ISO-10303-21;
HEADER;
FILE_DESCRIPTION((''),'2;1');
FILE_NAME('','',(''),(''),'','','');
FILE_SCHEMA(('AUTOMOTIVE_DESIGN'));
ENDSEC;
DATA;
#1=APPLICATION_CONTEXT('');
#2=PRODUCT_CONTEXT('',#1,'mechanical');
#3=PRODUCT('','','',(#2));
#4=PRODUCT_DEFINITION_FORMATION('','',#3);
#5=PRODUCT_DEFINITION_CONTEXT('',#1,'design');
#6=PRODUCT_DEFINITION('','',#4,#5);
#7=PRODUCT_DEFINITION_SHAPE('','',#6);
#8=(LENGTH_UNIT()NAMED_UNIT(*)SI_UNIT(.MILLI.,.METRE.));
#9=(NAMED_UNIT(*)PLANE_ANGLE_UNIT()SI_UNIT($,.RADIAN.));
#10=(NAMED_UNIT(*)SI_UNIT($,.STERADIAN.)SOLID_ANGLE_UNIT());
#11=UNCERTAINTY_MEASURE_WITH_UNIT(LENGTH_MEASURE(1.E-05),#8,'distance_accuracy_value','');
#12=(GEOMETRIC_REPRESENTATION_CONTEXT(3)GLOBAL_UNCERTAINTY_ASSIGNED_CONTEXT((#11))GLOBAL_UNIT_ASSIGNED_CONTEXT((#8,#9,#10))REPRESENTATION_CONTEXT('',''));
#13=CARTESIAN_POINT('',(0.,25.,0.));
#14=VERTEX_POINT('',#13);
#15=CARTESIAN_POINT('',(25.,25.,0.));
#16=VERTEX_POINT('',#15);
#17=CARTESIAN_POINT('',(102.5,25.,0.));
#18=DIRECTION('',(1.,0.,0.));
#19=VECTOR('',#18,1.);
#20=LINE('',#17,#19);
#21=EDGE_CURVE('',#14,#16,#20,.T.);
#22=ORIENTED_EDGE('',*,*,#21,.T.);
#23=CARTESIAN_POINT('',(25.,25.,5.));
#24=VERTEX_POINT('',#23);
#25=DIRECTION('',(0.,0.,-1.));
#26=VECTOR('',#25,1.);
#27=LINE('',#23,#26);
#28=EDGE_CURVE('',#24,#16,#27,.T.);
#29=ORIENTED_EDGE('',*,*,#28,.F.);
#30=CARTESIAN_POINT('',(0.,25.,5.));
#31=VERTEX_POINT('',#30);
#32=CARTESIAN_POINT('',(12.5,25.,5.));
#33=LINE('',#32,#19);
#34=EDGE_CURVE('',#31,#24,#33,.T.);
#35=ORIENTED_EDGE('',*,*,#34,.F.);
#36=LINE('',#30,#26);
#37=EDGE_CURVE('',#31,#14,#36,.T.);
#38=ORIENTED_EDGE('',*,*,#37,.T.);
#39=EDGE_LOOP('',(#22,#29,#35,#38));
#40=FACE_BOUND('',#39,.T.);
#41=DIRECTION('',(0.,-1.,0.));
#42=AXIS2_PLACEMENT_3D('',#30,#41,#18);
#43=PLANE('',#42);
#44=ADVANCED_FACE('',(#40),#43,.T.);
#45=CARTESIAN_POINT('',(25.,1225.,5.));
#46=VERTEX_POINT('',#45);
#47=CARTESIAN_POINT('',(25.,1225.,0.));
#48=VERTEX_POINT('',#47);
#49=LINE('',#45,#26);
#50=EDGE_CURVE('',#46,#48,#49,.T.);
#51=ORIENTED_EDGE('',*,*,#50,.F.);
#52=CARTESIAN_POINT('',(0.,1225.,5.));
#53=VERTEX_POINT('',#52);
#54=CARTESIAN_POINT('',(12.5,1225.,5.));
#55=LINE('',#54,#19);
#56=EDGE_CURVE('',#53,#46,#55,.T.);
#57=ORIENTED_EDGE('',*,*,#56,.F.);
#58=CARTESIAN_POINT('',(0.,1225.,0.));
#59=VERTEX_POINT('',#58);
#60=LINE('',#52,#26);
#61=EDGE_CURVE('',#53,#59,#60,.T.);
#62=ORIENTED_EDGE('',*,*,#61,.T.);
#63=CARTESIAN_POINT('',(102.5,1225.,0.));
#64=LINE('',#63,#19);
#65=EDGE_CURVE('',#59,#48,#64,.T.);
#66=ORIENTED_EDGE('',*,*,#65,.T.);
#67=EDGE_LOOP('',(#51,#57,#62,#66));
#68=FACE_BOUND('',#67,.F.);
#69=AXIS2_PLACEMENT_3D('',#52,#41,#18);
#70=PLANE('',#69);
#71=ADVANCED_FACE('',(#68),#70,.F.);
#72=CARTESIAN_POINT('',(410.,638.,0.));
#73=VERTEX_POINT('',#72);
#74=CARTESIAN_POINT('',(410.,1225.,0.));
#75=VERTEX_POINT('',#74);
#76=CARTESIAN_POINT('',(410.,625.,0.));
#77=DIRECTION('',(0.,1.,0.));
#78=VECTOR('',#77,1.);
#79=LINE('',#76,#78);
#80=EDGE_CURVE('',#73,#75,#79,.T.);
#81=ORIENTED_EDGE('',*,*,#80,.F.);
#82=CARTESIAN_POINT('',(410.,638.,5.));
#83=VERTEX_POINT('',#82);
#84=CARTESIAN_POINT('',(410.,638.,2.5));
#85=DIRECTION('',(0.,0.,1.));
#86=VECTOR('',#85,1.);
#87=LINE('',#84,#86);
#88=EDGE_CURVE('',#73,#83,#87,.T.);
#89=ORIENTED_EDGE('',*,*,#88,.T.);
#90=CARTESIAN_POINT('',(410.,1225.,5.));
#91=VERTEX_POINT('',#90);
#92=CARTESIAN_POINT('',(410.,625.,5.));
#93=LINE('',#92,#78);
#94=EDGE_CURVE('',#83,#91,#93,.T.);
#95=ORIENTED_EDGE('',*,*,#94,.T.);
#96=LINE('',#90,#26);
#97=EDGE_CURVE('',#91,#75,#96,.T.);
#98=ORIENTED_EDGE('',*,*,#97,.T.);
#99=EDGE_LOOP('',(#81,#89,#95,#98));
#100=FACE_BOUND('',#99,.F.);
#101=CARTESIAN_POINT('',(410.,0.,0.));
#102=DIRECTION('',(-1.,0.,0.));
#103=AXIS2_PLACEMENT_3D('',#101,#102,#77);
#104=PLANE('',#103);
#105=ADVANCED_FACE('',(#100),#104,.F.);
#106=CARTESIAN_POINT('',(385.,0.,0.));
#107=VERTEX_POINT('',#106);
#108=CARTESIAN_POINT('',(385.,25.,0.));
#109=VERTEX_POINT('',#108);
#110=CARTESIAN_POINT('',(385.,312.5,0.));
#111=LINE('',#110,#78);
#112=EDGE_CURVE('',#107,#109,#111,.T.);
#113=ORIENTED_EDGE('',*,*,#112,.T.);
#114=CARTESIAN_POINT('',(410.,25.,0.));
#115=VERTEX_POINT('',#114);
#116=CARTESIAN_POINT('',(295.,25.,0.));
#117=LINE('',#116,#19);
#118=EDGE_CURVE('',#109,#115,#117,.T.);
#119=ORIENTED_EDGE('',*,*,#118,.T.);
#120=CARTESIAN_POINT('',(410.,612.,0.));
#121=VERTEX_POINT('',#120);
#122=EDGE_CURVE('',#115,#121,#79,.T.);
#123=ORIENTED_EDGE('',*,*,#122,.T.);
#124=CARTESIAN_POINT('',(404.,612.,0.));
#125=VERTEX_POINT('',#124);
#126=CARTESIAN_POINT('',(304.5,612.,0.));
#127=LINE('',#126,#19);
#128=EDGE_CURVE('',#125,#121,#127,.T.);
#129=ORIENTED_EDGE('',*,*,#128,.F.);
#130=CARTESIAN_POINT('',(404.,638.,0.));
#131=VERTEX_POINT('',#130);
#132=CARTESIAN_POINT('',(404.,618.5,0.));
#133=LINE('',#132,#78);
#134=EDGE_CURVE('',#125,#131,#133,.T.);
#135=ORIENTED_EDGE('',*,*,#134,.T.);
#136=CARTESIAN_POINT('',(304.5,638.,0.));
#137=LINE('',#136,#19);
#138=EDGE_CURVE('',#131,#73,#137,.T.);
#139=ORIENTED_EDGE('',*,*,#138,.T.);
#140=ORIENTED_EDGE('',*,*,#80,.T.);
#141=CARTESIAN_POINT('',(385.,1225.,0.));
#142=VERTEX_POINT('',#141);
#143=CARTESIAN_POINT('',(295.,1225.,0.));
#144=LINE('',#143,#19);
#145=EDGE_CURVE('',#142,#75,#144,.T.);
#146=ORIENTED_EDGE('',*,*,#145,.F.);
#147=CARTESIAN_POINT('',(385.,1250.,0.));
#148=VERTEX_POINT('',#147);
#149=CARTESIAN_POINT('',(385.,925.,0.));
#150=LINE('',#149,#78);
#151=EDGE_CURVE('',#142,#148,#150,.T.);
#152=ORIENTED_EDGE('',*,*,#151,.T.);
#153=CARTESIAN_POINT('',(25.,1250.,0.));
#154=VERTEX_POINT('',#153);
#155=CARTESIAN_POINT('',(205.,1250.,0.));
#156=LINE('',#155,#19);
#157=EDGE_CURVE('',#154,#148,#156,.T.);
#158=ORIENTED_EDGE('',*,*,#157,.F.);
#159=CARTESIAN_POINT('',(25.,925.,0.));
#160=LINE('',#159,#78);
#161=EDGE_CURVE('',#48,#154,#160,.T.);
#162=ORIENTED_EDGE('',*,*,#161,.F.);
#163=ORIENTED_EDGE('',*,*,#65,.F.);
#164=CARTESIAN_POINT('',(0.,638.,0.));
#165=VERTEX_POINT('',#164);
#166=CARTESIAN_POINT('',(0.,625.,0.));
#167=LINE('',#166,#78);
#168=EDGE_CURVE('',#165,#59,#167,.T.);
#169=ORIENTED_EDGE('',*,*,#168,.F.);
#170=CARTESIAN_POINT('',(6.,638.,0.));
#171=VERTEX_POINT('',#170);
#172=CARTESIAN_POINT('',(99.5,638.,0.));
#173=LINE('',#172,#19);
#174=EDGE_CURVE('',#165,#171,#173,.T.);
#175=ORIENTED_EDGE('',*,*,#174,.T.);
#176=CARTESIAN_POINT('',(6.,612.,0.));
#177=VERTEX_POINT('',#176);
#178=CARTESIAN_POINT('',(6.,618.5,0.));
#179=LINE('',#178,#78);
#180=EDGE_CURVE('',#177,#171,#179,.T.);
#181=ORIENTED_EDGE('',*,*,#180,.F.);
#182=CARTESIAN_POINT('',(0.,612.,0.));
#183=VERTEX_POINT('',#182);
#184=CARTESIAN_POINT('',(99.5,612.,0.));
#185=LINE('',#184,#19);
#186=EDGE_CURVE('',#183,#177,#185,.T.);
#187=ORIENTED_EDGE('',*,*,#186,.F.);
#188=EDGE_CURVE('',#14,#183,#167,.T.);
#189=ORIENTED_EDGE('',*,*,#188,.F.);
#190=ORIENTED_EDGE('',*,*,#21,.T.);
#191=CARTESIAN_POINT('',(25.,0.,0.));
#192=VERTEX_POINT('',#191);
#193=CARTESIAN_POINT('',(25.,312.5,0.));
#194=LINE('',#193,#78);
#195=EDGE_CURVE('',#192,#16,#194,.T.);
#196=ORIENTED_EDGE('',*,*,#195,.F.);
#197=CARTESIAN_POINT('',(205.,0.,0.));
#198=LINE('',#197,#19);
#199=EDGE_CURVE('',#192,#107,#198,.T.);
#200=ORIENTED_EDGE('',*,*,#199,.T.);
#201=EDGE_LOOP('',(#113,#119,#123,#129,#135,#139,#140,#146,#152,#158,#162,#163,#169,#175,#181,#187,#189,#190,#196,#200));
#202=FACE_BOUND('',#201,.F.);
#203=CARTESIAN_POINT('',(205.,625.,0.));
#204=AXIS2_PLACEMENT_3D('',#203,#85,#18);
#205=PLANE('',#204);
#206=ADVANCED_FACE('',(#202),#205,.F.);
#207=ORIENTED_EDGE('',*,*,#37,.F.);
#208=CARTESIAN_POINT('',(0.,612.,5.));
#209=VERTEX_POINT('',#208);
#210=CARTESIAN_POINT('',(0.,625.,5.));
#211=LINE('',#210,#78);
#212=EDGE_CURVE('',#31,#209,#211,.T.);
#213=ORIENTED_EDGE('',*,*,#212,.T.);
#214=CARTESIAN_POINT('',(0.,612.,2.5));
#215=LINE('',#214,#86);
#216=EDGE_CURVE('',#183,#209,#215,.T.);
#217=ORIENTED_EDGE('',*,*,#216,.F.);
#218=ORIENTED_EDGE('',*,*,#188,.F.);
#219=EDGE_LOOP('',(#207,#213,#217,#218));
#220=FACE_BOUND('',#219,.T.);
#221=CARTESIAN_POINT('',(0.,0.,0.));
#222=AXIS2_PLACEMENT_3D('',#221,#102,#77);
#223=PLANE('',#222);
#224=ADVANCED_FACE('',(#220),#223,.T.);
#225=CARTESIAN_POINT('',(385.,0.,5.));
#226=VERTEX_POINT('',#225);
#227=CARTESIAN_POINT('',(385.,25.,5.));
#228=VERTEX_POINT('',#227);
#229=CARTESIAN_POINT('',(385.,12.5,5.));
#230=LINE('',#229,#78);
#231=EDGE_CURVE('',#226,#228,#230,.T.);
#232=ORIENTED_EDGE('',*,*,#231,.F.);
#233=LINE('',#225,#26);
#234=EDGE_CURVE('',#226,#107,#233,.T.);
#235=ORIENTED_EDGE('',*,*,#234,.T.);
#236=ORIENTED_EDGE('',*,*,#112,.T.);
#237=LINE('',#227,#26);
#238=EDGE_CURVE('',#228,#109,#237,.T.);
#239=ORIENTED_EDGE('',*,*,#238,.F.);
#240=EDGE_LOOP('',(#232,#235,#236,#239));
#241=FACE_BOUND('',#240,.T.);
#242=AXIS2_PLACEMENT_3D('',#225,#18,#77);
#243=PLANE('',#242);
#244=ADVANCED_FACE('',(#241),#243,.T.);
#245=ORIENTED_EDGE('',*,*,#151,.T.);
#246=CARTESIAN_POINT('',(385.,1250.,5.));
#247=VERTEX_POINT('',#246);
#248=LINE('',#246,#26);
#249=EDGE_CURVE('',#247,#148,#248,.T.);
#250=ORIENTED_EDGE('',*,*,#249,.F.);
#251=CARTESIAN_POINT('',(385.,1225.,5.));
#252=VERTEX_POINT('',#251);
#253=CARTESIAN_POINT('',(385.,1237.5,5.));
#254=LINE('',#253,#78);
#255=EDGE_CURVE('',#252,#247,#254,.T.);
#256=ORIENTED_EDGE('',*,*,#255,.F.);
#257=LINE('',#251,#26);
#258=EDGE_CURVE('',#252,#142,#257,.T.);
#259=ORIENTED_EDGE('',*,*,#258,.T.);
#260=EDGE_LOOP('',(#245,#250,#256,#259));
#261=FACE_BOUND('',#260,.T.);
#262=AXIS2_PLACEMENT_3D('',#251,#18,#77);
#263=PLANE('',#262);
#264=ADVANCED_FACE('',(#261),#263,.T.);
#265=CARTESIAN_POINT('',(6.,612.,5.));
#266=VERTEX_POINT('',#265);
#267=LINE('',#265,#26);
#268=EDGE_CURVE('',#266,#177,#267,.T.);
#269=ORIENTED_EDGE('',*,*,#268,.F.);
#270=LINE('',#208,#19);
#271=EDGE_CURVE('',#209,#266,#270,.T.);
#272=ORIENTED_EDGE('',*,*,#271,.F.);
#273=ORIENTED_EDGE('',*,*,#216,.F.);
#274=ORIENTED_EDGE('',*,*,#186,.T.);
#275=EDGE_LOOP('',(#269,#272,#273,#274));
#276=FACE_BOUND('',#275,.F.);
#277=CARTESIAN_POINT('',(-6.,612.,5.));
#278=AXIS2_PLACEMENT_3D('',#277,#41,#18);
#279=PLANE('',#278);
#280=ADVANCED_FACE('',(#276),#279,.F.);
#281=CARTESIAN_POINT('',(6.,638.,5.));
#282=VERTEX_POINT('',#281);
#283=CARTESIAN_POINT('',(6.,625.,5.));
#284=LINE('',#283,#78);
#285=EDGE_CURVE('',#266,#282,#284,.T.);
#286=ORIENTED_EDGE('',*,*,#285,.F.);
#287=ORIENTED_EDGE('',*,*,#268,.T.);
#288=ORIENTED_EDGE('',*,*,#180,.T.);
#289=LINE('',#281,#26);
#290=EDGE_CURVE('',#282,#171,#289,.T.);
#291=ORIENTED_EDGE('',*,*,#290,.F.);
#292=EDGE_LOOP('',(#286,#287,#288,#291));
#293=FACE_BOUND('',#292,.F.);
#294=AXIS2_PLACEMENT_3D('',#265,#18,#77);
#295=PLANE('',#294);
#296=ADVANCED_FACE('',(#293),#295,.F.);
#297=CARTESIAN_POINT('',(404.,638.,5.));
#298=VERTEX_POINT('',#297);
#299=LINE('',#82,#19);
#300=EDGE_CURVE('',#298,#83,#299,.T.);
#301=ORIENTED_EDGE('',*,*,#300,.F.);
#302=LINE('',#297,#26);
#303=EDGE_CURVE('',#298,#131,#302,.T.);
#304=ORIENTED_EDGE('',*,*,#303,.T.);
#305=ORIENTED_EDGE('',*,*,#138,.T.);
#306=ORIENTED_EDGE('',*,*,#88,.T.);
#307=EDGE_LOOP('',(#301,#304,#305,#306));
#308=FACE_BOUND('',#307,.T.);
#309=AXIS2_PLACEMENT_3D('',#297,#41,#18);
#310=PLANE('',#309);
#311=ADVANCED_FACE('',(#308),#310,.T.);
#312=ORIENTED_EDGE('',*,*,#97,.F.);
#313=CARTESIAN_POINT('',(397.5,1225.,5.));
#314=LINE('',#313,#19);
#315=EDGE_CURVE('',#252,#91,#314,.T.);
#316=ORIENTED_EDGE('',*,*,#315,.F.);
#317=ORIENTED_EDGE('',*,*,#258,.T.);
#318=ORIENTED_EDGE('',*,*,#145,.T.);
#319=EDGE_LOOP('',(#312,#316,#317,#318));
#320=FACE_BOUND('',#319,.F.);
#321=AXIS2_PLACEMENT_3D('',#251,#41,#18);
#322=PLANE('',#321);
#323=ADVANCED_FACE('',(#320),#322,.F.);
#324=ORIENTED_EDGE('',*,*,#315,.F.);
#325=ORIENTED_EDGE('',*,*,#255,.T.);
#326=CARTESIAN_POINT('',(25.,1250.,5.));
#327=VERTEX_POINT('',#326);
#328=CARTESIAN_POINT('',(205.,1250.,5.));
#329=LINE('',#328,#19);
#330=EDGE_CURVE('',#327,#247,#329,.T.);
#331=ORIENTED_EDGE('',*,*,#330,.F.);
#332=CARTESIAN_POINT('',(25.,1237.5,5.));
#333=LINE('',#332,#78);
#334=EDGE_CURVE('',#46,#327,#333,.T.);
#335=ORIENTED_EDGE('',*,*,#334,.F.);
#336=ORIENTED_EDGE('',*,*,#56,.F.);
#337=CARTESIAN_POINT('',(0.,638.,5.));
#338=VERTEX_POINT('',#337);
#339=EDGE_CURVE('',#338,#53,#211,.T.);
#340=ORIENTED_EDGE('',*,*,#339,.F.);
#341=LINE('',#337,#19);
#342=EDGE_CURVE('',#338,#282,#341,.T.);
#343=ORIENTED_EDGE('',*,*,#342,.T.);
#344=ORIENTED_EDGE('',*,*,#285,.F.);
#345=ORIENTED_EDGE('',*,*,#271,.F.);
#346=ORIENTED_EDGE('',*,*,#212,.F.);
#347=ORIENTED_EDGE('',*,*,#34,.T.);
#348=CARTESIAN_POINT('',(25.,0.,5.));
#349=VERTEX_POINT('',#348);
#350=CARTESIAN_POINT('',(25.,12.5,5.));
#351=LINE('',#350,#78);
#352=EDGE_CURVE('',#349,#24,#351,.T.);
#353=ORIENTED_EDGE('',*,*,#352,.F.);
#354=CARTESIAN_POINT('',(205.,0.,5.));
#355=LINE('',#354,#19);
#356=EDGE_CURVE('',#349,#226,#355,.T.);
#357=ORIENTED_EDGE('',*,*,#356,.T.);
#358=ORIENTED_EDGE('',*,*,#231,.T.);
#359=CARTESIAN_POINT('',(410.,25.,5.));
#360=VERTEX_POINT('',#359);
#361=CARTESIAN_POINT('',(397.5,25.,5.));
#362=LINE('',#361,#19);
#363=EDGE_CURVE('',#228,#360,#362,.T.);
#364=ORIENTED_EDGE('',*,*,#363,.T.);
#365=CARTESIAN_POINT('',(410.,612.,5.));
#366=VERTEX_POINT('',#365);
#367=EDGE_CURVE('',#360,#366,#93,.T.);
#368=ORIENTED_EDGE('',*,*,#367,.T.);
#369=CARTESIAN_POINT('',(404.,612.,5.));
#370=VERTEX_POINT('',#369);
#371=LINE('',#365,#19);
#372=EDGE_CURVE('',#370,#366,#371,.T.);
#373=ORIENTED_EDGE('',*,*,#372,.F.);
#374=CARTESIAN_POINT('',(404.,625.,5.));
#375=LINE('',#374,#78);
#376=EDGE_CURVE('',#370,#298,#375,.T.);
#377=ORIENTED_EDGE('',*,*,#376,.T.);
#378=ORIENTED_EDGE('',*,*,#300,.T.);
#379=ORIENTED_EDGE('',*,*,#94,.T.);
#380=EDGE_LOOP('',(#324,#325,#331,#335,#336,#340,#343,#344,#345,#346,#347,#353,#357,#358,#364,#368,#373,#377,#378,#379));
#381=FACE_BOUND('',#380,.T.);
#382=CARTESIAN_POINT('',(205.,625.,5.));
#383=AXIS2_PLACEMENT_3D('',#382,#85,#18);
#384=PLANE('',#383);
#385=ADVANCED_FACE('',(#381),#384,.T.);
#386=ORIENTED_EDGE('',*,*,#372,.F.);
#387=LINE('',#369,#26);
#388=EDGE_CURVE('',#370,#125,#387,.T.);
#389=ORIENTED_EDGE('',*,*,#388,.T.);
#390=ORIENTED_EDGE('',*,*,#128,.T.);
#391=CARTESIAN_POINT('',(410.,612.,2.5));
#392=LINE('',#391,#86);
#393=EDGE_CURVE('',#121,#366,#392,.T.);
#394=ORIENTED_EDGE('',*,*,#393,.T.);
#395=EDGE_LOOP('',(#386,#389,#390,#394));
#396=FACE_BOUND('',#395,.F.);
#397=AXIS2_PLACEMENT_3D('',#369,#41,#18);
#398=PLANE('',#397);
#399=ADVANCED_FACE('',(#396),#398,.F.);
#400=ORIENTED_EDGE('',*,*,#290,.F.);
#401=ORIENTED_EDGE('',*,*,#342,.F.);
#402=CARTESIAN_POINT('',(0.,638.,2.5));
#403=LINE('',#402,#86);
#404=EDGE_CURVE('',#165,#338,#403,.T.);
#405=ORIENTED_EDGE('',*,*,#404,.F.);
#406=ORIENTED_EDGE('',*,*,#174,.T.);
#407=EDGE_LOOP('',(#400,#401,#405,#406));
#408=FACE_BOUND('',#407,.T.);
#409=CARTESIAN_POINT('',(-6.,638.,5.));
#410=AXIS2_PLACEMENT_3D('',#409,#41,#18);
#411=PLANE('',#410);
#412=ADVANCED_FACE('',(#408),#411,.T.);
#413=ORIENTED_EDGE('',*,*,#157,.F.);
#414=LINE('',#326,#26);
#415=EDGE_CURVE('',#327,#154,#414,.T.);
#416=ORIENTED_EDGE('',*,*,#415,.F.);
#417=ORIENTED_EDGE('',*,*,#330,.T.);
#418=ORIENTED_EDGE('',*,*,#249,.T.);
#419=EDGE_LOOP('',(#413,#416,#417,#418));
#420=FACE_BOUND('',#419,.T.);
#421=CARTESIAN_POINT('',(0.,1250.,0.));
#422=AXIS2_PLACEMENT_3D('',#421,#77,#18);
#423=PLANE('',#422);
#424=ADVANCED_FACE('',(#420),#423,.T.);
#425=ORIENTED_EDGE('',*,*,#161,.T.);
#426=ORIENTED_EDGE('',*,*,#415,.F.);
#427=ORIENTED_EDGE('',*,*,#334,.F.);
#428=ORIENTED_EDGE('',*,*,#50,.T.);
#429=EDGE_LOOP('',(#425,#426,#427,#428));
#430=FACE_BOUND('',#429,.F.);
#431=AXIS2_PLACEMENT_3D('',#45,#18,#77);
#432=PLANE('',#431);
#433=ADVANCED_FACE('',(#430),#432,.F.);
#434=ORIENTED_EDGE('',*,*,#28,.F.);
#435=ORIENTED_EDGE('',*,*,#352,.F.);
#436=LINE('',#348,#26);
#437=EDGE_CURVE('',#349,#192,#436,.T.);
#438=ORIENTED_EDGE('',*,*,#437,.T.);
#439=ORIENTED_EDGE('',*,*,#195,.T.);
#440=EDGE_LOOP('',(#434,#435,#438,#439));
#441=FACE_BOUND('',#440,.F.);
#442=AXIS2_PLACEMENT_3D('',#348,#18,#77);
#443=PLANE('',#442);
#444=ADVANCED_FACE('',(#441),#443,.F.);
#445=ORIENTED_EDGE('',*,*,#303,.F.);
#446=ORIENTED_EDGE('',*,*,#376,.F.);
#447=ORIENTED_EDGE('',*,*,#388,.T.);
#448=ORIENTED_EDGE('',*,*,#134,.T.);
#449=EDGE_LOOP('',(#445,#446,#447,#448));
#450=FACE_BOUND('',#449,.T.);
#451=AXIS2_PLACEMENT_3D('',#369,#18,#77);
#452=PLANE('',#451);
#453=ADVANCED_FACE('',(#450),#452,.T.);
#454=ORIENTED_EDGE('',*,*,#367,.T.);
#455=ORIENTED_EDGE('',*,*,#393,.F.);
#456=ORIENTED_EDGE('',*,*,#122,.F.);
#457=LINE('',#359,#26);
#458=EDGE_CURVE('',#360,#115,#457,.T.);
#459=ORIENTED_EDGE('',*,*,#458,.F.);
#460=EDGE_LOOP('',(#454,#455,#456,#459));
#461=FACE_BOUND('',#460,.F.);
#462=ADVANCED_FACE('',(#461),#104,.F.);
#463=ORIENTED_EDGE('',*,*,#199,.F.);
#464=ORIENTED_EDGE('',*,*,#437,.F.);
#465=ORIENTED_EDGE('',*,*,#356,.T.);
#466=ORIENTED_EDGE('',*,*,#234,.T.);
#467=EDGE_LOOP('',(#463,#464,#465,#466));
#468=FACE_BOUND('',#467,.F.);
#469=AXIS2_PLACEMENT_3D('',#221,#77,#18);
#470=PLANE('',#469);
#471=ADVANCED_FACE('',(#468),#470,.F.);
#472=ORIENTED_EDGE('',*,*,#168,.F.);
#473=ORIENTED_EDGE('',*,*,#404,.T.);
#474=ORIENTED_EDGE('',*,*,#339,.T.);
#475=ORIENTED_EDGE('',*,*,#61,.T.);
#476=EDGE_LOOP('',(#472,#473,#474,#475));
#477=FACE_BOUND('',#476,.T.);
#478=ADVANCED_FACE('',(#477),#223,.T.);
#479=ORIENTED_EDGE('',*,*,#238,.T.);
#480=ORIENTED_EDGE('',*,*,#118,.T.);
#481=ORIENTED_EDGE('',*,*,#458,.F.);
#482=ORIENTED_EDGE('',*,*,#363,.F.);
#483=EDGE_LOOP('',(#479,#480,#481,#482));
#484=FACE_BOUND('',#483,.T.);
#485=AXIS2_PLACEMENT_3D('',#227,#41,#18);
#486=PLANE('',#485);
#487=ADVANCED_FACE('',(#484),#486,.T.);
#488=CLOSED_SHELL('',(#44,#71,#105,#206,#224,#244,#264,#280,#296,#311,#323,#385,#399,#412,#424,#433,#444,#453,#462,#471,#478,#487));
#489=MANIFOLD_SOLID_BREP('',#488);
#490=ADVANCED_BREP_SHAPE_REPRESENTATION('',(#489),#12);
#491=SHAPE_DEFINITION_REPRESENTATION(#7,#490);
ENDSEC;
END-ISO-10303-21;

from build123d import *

# Parameters (mm, degrees)
F0_W      = 410
F0_H      = 1250
F1_DEPTH  = 5
F2_W      = 25
F2_H      = 25
F3_DEPTH  = 25
F4_W      = 25
F4_H      = 25
F5_DEPTH  = 25
F6_W      = 25
F6_H      = 25
F7_DEPTH  = 25
F8_W      = 25
F8_H      = 25
F9_DEPTH  = 25
F10_W     = 12
F10_H     = 26
F11_DEPTH = 25
F12_W     = 12
F12_H     = 26
F13_DEPTH = 25


with BuildPart() as f1:
    # F0 (on Top) → F1 (new body)
    with BuildSketch(Plane.XY):
        with Locations((205, 625)):
            Rectangle(F0_W, F0_H)
    extrude(amount=F1_DEPTH)

    # F2 (on face) → F3 (cut)
    with BuildSketch(Plane.XY.offset(5)):
        with Locations((12.5, 12.5)):
            Rectangle(F2_W, F2_H)
    extrude(amount=-F3_DEPTH, mode=Mode.SUBTRACT)

    # F4 (on face) → F5 (cut)
    with BuildSketch(Plane.XY.offset(5)):
        with Locations((397.5, 12.5)):
            Rectangle(F4_W, F4_H)
    extrude(amount=-F5_DEPTH, mode=Mode.SUBTRACT)

    # F6 (on face) → F7 (cut)
    with BuildSketch(Plane.XY.offset(5)):
        with Locations((397.5, 1237.5)):
            Rectangle(F6_W, F6_H)
    extrude(amount=-F7_DEPTH, mode=Mode.SUBTRACT)

    # F8 (on face) → F9 (cut)
    with BuildSketch(Plane.XY.offset(5)):
        with Locations((12.5, 1237.5)):
            Rectangle(F8_W, F8_H)
    extrude(amount=-F9_DEPTH, mode=Mode.SUBTRACT)

    # F10 (on face) → F11 (cut)
    with BuildSketch(Plane.XY.offset(5)):
        with Locations((0, 625)):
            Rectangle(F10_W, F10_H)
    extrude(amount=-F11_DEPTH, mode=Mode.SUBTRACT)

    # F12 (on face) → F13 (cut)
    with BuildSketch(Plane.XY.offset(5)):
        with Locations((410, 625)):
            Rectangle(F12_W, F12_H)
    extrude(amount=-F13_DEPTH, mode=Mode.SUBTRACT)


solid = f1.part
